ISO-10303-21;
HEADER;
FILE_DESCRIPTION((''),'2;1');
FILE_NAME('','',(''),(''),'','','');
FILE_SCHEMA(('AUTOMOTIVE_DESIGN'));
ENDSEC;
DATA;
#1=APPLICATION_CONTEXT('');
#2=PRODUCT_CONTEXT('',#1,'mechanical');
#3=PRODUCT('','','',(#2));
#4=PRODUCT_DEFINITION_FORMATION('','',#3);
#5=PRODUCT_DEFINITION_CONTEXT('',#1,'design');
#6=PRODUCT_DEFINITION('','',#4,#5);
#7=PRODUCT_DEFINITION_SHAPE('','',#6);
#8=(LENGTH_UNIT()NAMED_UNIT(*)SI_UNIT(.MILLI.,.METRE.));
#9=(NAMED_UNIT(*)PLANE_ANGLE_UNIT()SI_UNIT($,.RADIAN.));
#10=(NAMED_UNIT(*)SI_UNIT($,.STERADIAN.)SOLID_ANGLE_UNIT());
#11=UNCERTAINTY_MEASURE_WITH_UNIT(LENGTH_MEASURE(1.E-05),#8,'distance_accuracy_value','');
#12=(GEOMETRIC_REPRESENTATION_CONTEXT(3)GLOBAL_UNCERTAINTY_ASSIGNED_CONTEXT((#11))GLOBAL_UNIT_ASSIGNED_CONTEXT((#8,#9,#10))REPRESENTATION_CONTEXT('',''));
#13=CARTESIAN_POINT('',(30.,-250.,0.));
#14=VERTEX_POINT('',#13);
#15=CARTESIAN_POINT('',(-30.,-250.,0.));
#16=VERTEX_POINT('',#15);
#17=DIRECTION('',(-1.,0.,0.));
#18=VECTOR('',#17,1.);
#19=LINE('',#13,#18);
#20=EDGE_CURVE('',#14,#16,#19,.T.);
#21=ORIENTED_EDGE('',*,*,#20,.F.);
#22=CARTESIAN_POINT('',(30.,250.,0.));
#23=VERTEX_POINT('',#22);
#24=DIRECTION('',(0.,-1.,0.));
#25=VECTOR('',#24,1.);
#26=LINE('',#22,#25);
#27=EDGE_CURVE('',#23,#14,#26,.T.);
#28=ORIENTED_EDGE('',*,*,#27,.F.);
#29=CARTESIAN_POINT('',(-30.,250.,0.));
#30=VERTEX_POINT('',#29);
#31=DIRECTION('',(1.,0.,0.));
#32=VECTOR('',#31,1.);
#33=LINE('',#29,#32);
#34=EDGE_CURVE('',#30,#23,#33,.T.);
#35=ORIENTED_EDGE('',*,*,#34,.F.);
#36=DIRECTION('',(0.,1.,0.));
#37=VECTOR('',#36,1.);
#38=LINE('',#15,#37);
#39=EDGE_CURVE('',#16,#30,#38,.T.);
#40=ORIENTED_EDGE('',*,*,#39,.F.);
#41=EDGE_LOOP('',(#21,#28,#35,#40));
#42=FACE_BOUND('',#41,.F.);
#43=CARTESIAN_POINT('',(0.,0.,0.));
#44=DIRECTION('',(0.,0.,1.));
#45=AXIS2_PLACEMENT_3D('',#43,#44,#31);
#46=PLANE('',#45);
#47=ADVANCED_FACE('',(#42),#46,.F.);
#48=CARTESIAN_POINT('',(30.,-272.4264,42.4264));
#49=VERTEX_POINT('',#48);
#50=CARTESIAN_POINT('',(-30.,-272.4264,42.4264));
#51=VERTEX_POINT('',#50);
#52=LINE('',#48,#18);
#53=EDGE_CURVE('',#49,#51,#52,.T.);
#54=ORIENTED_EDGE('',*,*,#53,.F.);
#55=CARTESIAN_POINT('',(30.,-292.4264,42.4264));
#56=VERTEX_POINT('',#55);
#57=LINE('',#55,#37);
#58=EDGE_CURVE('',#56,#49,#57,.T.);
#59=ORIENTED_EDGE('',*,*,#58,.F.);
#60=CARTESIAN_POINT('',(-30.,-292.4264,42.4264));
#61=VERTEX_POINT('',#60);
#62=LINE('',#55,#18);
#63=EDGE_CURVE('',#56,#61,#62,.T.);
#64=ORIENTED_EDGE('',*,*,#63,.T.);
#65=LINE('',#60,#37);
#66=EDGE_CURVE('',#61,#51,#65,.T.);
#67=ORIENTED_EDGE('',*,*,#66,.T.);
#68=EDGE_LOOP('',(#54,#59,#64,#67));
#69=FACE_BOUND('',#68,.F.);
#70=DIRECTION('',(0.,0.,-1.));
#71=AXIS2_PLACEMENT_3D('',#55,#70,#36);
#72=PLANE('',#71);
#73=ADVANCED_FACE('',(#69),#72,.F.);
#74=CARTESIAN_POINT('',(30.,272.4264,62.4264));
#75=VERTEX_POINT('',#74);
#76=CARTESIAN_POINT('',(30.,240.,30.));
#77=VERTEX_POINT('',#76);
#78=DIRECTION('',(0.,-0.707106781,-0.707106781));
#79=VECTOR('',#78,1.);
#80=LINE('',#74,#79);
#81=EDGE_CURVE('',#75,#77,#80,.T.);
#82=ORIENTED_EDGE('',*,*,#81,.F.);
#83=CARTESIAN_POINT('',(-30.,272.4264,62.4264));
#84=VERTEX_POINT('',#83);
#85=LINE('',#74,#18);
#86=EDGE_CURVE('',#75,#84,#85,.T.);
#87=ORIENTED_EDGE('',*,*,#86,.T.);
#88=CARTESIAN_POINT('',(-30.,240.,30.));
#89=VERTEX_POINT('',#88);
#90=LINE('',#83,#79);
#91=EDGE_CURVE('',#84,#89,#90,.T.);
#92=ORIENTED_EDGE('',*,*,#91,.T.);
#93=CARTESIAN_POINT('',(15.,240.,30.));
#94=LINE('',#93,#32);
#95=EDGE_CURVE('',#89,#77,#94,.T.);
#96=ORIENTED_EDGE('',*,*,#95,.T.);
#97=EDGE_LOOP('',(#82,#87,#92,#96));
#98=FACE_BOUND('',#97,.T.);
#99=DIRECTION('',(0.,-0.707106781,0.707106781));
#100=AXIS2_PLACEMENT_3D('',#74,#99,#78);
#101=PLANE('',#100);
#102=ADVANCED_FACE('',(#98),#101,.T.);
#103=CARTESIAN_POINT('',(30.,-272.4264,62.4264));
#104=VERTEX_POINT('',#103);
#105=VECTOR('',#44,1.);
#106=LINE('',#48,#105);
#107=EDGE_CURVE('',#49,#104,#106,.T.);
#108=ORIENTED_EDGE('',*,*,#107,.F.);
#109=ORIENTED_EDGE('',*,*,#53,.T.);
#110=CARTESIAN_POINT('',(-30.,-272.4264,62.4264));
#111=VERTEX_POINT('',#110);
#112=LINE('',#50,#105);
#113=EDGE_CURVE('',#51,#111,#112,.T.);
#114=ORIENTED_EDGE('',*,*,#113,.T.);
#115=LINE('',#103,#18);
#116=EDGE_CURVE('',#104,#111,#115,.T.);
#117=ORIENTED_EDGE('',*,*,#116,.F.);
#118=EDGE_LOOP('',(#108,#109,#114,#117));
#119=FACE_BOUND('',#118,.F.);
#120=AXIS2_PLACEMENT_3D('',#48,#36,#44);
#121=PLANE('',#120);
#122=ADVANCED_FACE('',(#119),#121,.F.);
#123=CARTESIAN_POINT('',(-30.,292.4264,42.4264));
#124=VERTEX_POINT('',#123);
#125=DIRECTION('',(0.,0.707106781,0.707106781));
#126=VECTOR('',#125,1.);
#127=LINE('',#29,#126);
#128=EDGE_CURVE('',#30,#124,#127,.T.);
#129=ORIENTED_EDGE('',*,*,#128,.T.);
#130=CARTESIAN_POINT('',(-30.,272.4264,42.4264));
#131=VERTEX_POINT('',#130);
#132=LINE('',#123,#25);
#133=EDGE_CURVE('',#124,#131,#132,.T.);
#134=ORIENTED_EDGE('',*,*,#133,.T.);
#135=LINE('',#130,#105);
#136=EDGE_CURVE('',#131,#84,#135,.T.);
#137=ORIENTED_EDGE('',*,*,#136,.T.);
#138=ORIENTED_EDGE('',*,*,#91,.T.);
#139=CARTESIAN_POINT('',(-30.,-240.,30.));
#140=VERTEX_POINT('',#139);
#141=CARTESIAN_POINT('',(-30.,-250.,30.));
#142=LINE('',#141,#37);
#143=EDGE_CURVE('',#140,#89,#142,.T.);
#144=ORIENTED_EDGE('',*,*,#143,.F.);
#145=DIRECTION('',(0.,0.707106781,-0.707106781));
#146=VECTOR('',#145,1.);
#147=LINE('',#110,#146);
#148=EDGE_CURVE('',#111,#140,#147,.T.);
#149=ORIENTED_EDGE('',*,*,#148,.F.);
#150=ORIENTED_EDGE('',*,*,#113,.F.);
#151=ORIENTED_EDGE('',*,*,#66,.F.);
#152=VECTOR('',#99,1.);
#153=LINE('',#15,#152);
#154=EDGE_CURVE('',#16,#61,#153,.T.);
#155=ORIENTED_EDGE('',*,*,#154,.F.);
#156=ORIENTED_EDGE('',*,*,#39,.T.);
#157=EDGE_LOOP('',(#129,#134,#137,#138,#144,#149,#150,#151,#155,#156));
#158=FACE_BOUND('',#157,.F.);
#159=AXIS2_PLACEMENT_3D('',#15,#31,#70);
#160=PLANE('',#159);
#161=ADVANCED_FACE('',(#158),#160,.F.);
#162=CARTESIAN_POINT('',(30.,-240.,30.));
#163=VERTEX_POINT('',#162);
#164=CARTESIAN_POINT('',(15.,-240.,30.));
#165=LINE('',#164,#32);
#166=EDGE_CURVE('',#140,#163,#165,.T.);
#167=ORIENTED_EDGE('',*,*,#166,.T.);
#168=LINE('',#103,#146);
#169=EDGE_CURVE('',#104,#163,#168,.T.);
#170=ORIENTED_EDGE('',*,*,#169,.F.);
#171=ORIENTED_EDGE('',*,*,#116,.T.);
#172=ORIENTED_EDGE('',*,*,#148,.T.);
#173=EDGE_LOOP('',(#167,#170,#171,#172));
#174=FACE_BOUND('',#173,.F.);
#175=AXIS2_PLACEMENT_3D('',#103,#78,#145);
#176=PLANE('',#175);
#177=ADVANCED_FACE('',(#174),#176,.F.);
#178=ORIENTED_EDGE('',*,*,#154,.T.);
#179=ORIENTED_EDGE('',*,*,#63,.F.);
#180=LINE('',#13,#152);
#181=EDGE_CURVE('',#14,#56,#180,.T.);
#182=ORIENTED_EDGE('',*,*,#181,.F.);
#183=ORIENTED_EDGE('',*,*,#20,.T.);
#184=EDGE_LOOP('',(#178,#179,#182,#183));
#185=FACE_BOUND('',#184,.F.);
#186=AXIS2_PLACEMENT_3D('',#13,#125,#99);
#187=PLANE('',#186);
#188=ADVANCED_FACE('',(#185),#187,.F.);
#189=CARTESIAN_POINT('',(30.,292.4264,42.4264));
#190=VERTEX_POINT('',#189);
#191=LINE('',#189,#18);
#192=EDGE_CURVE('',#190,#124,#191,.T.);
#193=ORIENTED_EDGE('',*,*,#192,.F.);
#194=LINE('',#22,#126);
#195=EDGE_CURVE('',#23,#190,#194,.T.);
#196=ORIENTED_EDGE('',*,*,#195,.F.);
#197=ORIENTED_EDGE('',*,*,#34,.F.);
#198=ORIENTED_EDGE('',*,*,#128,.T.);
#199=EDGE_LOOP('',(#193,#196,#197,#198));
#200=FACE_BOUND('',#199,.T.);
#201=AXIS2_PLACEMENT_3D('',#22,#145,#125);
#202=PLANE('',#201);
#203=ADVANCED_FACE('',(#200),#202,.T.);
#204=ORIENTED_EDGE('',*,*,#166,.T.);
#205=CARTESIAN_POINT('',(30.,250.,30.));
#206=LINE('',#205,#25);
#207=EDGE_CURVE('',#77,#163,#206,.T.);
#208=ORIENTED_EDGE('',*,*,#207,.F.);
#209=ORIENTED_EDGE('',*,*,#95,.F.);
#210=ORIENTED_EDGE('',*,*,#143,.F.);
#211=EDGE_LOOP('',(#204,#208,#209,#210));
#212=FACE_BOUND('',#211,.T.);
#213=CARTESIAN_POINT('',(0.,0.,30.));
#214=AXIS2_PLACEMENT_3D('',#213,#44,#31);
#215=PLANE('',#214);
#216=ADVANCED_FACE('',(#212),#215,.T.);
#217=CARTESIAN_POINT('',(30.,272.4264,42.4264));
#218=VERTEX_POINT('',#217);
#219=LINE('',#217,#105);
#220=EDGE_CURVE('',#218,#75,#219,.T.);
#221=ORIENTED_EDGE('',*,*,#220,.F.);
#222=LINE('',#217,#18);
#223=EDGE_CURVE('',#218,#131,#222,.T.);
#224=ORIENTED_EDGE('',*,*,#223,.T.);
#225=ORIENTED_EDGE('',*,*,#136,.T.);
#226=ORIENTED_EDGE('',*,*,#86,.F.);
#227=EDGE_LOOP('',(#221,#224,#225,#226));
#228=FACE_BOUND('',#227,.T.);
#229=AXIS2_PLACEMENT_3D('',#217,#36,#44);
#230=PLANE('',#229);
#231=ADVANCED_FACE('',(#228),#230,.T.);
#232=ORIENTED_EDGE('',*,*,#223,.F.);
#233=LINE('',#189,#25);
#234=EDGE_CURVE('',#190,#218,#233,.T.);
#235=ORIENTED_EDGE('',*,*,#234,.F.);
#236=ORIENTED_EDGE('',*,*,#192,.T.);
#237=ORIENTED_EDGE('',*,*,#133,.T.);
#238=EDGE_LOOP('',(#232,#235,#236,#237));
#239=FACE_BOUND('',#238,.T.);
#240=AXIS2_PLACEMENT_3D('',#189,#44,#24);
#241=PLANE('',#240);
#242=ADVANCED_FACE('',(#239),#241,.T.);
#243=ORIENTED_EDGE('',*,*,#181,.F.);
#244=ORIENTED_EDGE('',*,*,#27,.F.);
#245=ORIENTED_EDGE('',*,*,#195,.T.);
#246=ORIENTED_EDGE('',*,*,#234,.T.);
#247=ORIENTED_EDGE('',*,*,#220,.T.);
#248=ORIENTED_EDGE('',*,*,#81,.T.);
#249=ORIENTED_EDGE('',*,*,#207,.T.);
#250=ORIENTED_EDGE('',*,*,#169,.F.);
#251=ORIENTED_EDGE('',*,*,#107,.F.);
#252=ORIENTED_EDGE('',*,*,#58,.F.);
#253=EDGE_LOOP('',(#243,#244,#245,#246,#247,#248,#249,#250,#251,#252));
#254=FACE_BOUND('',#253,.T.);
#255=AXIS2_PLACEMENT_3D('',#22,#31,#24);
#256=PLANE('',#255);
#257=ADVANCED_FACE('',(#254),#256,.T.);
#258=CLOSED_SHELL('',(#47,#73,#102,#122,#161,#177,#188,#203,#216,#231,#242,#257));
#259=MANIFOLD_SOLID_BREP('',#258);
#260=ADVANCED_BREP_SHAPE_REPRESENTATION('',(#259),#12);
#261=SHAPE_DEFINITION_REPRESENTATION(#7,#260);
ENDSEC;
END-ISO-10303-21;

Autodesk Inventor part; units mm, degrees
ref_plane "YZ Plane" through (0, 0, 0) normal (1, 0, 0) x (0, 1, 0)
ref_plane "XZ Plane" through (0, 0, 0) normal (0, 1, 0) x (-1, 0, 0)
ref_plane "XY Plane" through (0, 0, 0) normal (0, 0, 1) x (1, 0, 0)
sketch "草圖1" plane through (0, 0, 0) normal (0, 0, 1) x (1, 0, 0)
  line L0 (30, -250) -> (-30, -250)
  line L1 (-30, -250) -> (-30, 250)
  line L2 (-30, 250) -> (30, 250)
  line L3 (30, 250) -> (30, -250)
  line L4 (30, -250) -> (-30, 250) construction
  line L5 (-30, -250) -> (30, 250) construction
  point P0 (0, 0)
  dimension "d0" = 60
  dimension "d1" = 500
extrude "擠出1" add sketch "草圖1" along normal blind 30
sketch "草圖2" plane through (30, -250, 0) normal (1, 0, 0) x (0, 0, -1)
  line L0 (0, 500) -> (0, 0) projected
  line L1 (0, 0) -> (-42.4264, -42.4264)
  line L2 (0, 0) -> (60, 0) construction
  line L3 (-42.4264, -42.4264) -> (-42.4264, -22.4264)
  line L4 (-42.4264, -22.4264) -> (-62.4264, -22.4264)
  line L5 (-62.4264, -22.4264) -> (-23.4773, 16.5227)
  line L6 (0, 0) -> (-23.4773, 16.5227)
  line L7 (0, 500) -> (-42.4264, 542.4264)
  line L8 (-42.4264, 542.4264) -> (-42.4264, 522.4264)
  line L9 (-42.4264, 522.4264) -> (-62.4264, 522.4264)
  line L10 (-62.4264, 522.4264) -> (-16.5227, 476.5227)
  line L11 (-16.5227, 476.5227) -> (0, 500)
  point P0 (0, 250)
  dimension "d4" = 60
  dimension "d5" = 135
  dimension "d6" = 20
  dimension "d7" = 20
  dimension "d8" = 60
  dimension "d9" = 20
  dimension "d10" = 20
extrude "擠出2" add sketch "草圖2" against normal blind 60
properties part number "DOF5"
